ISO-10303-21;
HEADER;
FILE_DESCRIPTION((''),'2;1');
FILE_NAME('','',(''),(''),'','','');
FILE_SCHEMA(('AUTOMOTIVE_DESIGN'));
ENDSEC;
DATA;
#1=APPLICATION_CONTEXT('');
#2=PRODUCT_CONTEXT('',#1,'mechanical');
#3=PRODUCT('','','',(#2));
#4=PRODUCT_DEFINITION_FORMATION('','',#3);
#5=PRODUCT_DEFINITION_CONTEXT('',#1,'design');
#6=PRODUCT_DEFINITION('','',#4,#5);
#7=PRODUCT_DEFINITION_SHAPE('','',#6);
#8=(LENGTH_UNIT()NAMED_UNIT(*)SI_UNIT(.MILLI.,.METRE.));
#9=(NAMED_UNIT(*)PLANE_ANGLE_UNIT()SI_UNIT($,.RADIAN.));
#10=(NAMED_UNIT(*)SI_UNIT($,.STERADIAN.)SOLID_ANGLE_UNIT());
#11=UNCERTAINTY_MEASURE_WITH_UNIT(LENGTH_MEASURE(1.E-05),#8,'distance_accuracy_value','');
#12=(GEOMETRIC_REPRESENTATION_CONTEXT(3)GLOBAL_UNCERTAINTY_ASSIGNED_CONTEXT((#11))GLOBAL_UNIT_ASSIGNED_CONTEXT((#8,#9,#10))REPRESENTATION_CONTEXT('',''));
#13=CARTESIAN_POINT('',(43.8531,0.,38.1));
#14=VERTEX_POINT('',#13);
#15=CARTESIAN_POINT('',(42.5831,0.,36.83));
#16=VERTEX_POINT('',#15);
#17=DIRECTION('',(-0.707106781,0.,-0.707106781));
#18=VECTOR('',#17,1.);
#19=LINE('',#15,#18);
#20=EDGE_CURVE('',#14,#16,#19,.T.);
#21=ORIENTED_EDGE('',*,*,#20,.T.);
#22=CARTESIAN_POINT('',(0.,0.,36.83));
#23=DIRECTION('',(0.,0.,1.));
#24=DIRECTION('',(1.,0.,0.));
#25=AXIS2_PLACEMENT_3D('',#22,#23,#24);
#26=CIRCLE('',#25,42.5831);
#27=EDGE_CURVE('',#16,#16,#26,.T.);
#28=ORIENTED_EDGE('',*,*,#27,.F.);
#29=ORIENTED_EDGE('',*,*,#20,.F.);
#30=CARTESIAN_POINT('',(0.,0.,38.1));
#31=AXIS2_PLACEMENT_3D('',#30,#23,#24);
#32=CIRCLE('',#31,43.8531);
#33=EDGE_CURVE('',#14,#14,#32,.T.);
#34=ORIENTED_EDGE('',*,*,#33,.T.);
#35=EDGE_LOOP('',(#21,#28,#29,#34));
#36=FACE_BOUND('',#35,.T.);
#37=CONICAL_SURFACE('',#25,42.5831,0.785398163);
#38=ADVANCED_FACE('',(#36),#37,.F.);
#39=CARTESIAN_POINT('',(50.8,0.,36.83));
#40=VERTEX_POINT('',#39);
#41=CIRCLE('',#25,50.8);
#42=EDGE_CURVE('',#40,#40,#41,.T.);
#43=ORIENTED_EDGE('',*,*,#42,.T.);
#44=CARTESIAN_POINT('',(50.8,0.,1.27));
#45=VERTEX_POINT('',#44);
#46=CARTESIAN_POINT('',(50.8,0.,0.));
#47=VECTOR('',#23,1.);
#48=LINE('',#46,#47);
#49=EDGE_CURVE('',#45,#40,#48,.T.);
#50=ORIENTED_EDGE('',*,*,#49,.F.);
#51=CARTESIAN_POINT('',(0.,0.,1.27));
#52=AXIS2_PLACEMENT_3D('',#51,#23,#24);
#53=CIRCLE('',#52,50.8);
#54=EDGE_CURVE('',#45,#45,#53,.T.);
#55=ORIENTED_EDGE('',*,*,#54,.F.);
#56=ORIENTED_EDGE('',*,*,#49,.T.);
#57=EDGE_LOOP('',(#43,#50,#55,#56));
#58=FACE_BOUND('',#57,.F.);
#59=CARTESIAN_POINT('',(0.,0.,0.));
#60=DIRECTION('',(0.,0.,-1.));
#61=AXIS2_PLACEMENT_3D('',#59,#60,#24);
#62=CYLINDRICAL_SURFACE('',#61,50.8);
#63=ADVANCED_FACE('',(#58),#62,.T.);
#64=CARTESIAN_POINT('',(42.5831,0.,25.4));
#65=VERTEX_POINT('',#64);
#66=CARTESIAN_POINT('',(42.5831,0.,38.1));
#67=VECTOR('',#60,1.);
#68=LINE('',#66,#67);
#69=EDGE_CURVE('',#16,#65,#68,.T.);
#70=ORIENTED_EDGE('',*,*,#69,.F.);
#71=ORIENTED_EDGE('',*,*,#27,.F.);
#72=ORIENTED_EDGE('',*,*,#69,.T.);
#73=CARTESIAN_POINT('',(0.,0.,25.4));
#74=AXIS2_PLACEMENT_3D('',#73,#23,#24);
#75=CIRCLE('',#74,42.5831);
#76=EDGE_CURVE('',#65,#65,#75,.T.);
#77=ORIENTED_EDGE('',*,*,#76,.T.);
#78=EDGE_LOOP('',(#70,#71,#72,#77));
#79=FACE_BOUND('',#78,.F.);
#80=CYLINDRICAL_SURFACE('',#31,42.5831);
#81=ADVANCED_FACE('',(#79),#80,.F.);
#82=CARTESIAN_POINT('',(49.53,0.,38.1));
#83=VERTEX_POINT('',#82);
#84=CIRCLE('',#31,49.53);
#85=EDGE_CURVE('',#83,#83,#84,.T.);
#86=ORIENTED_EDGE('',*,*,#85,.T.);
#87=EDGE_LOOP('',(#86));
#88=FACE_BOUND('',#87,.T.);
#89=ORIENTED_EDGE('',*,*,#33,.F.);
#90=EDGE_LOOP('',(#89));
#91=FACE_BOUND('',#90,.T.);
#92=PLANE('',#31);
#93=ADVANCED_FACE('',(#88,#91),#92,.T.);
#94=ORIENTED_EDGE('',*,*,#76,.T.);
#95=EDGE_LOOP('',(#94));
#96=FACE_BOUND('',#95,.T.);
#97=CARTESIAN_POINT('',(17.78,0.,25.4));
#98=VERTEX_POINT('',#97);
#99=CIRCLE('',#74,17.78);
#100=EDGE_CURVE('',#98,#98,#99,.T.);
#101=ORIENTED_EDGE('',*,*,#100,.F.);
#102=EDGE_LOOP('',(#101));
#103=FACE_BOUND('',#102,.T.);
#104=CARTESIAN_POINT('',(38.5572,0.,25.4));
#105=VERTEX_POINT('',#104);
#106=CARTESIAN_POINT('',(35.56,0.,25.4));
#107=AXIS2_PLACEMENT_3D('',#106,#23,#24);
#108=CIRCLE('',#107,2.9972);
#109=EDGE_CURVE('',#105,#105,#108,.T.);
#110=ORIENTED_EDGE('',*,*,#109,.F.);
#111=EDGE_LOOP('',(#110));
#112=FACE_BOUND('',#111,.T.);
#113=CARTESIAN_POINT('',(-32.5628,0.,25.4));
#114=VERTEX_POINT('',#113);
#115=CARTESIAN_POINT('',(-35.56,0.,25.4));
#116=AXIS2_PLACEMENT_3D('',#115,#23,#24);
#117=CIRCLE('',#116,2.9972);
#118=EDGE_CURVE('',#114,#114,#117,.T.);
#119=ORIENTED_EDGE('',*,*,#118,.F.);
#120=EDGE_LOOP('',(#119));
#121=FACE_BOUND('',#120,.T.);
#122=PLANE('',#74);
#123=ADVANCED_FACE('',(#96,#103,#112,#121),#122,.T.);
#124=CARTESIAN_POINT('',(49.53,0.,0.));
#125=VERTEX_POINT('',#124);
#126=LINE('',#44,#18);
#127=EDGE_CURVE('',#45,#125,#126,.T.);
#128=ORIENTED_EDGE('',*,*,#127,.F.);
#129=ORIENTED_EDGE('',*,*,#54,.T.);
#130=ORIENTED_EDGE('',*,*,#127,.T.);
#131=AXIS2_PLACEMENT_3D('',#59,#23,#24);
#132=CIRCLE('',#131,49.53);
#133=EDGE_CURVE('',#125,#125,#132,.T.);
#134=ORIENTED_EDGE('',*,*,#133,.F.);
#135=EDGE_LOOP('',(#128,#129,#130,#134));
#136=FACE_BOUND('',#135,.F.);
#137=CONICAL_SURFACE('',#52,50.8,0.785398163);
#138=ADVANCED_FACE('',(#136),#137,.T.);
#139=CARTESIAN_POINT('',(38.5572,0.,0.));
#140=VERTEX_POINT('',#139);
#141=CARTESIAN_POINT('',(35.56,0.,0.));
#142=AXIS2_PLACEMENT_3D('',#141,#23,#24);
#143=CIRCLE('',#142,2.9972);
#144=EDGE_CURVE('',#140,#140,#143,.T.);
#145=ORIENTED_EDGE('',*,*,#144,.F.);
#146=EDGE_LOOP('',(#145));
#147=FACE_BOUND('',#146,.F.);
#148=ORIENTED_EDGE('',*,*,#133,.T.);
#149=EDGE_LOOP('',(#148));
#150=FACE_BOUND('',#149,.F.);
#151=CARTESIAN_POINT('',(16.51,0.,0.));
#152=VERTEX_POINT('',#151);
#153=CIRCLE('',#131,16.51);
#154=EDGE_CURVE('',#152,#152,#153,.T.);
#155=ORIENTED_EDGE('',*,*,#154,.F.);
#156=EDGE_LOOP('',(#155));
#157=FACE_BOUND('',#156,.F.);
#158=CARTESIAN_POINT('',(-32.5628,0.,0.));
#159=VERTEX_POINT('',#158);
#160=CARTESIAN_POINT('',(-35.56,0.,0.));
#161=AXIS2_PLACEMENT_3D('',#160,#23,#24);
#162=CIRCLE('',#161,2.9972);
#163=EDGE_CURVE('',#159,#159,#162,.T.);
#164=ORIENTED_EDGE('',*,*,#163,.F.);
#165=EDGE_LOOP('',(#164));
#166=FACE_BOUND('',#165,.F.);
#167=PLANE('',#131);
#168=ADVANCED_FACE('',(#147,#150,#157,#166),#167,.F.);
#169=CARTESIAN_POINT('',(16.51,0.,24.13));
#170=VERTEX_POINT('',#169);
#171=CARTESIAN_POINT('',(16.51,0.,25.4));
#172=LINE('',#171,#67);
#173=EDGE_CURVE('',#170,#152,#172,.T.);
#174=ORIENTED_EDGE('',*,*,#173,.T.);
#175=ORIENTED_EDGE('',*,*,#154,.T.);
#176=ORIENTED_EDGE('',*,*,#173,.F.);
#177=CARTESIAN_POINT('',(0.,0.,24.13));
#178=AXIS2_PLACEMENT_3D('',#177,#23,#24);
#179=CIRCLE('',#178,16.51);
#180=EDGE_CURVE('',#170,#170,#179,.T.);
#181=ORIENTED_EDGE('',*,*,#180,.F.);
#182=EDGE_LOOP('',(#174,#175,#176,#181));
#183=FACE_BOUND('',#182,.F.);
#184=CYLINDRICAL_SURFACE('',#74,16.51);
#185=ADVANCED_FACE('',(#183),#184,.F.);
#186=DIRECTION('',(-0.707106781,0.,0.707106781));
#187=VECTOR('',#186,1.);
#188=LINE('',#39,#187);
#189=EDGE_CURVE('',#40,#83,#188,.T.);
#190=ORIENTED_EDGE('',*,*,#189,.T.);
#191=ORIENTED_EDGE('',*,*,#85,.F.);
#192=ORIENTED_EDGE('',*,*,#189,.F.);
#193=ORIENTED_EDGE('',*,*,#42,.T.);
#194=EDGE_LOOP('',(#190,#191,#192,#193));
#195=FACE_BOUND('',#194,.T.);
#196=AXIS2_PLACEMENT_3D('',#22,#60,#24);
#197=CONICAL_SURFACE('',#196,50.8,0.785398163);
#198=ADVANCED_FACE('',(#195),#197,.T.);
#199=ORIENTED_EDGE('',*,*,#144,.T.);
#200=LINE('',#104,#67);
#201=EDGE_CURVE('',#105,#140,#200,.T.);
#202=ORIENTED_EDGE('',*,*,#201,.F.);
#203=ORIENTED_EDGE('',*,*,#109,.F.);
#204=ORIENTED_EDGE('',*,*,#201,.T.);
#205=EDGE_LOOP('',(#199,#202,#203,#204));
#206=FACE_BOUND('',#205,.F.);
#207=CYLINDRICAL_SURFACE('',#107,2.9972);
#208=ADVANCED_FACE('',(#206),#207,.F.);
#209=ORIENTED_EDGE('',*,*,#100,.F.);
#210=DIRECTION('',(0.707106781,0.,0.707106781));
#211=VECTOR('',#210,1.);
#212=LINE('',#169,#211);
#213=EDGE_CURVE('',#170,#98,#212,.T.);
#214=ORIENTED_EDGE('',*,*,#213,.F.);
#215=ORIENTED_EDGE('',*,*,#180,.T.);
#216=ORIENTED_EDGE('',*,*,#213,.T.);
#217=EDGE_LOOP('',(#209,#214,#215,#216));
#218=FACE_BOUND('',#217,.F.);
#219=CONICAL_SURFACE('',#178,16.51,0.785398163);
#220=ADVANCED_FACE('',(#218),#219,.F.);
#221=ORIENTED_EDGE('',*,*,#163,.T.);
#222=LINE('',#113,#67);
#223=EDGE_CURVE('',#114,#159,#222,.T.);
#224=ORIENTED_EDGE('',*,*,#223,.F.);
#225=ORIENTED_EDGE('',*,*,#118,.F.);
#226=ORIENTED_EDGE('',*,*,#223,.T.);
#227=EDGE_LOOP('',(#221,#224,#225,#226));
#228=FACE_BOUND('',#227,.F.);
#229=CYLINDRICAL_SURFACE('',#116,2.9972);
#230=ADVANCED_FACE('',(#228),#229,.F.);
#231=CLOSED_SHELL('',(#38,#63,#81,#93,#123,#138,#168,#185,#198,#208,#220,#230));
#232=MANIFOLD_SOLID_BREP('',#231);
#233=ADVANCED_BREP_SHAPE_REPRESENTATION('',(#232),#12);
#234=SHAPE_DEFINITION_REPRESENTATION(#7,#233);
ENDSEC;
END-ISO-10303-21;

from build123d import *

# Parameters (mm, degrees)
F0_R     = 50.8
F1_DEPTH = 38.1
F2_R     = 42.5831
F3_DEPTH = 12.7
F4_R     = 16.51
F5_DEPTH = 25.401
F6_SIZE  = 1.27
F7_R     = 2.9972
F8_DEPTH = 25.401


with BuildPart() as f1:
    # F0 (on Top) → F1 (new body)
    with BuildSketch(Plane.XY):
        Circle(F0_R)
    extrude(amount=F1_DEPTH)

    # F2 (on face) → F3 (cut)
    with BuildSketch(Plane.XY.offset(38.1)):
        Circle(F2_R)
    extrude(amount=-F3_DEPTH, mode=Mode.SUBTRACT)

    # F4 (on face) → F5 (cut, through all)
    with BuildSketch(Plane.XY.offset(25.4)):
        Circle(F4_R)
    extrude(amount=-F5_DEPTH, mode=Mode.SUBTRACT)

    # F6
    f6_edges = [f1.edges().sort_by_distance(p)[0] for p in [
        (-42.5831, 0, 38.1),
        (-16.51, 0, 25.4),
        (-50.8, 0, 38.1),
        (-50.8, 0, 0),
    ]]
    chamfer(f6_edges, length=F6_SIZE)

    # F7 (on face) → F8 (cut, through all)
    with BuildSketch(Plane.XY.offset(25.4)):
        with Locations((35.56, 0)):
            Circle(F7_R)
        with Locations((-35.56, 0)):
            Circle(F7_R)
    extrude(amount=-F8_DEPTH, mode=Mode.SUBTRACT)


solid = f1.part
